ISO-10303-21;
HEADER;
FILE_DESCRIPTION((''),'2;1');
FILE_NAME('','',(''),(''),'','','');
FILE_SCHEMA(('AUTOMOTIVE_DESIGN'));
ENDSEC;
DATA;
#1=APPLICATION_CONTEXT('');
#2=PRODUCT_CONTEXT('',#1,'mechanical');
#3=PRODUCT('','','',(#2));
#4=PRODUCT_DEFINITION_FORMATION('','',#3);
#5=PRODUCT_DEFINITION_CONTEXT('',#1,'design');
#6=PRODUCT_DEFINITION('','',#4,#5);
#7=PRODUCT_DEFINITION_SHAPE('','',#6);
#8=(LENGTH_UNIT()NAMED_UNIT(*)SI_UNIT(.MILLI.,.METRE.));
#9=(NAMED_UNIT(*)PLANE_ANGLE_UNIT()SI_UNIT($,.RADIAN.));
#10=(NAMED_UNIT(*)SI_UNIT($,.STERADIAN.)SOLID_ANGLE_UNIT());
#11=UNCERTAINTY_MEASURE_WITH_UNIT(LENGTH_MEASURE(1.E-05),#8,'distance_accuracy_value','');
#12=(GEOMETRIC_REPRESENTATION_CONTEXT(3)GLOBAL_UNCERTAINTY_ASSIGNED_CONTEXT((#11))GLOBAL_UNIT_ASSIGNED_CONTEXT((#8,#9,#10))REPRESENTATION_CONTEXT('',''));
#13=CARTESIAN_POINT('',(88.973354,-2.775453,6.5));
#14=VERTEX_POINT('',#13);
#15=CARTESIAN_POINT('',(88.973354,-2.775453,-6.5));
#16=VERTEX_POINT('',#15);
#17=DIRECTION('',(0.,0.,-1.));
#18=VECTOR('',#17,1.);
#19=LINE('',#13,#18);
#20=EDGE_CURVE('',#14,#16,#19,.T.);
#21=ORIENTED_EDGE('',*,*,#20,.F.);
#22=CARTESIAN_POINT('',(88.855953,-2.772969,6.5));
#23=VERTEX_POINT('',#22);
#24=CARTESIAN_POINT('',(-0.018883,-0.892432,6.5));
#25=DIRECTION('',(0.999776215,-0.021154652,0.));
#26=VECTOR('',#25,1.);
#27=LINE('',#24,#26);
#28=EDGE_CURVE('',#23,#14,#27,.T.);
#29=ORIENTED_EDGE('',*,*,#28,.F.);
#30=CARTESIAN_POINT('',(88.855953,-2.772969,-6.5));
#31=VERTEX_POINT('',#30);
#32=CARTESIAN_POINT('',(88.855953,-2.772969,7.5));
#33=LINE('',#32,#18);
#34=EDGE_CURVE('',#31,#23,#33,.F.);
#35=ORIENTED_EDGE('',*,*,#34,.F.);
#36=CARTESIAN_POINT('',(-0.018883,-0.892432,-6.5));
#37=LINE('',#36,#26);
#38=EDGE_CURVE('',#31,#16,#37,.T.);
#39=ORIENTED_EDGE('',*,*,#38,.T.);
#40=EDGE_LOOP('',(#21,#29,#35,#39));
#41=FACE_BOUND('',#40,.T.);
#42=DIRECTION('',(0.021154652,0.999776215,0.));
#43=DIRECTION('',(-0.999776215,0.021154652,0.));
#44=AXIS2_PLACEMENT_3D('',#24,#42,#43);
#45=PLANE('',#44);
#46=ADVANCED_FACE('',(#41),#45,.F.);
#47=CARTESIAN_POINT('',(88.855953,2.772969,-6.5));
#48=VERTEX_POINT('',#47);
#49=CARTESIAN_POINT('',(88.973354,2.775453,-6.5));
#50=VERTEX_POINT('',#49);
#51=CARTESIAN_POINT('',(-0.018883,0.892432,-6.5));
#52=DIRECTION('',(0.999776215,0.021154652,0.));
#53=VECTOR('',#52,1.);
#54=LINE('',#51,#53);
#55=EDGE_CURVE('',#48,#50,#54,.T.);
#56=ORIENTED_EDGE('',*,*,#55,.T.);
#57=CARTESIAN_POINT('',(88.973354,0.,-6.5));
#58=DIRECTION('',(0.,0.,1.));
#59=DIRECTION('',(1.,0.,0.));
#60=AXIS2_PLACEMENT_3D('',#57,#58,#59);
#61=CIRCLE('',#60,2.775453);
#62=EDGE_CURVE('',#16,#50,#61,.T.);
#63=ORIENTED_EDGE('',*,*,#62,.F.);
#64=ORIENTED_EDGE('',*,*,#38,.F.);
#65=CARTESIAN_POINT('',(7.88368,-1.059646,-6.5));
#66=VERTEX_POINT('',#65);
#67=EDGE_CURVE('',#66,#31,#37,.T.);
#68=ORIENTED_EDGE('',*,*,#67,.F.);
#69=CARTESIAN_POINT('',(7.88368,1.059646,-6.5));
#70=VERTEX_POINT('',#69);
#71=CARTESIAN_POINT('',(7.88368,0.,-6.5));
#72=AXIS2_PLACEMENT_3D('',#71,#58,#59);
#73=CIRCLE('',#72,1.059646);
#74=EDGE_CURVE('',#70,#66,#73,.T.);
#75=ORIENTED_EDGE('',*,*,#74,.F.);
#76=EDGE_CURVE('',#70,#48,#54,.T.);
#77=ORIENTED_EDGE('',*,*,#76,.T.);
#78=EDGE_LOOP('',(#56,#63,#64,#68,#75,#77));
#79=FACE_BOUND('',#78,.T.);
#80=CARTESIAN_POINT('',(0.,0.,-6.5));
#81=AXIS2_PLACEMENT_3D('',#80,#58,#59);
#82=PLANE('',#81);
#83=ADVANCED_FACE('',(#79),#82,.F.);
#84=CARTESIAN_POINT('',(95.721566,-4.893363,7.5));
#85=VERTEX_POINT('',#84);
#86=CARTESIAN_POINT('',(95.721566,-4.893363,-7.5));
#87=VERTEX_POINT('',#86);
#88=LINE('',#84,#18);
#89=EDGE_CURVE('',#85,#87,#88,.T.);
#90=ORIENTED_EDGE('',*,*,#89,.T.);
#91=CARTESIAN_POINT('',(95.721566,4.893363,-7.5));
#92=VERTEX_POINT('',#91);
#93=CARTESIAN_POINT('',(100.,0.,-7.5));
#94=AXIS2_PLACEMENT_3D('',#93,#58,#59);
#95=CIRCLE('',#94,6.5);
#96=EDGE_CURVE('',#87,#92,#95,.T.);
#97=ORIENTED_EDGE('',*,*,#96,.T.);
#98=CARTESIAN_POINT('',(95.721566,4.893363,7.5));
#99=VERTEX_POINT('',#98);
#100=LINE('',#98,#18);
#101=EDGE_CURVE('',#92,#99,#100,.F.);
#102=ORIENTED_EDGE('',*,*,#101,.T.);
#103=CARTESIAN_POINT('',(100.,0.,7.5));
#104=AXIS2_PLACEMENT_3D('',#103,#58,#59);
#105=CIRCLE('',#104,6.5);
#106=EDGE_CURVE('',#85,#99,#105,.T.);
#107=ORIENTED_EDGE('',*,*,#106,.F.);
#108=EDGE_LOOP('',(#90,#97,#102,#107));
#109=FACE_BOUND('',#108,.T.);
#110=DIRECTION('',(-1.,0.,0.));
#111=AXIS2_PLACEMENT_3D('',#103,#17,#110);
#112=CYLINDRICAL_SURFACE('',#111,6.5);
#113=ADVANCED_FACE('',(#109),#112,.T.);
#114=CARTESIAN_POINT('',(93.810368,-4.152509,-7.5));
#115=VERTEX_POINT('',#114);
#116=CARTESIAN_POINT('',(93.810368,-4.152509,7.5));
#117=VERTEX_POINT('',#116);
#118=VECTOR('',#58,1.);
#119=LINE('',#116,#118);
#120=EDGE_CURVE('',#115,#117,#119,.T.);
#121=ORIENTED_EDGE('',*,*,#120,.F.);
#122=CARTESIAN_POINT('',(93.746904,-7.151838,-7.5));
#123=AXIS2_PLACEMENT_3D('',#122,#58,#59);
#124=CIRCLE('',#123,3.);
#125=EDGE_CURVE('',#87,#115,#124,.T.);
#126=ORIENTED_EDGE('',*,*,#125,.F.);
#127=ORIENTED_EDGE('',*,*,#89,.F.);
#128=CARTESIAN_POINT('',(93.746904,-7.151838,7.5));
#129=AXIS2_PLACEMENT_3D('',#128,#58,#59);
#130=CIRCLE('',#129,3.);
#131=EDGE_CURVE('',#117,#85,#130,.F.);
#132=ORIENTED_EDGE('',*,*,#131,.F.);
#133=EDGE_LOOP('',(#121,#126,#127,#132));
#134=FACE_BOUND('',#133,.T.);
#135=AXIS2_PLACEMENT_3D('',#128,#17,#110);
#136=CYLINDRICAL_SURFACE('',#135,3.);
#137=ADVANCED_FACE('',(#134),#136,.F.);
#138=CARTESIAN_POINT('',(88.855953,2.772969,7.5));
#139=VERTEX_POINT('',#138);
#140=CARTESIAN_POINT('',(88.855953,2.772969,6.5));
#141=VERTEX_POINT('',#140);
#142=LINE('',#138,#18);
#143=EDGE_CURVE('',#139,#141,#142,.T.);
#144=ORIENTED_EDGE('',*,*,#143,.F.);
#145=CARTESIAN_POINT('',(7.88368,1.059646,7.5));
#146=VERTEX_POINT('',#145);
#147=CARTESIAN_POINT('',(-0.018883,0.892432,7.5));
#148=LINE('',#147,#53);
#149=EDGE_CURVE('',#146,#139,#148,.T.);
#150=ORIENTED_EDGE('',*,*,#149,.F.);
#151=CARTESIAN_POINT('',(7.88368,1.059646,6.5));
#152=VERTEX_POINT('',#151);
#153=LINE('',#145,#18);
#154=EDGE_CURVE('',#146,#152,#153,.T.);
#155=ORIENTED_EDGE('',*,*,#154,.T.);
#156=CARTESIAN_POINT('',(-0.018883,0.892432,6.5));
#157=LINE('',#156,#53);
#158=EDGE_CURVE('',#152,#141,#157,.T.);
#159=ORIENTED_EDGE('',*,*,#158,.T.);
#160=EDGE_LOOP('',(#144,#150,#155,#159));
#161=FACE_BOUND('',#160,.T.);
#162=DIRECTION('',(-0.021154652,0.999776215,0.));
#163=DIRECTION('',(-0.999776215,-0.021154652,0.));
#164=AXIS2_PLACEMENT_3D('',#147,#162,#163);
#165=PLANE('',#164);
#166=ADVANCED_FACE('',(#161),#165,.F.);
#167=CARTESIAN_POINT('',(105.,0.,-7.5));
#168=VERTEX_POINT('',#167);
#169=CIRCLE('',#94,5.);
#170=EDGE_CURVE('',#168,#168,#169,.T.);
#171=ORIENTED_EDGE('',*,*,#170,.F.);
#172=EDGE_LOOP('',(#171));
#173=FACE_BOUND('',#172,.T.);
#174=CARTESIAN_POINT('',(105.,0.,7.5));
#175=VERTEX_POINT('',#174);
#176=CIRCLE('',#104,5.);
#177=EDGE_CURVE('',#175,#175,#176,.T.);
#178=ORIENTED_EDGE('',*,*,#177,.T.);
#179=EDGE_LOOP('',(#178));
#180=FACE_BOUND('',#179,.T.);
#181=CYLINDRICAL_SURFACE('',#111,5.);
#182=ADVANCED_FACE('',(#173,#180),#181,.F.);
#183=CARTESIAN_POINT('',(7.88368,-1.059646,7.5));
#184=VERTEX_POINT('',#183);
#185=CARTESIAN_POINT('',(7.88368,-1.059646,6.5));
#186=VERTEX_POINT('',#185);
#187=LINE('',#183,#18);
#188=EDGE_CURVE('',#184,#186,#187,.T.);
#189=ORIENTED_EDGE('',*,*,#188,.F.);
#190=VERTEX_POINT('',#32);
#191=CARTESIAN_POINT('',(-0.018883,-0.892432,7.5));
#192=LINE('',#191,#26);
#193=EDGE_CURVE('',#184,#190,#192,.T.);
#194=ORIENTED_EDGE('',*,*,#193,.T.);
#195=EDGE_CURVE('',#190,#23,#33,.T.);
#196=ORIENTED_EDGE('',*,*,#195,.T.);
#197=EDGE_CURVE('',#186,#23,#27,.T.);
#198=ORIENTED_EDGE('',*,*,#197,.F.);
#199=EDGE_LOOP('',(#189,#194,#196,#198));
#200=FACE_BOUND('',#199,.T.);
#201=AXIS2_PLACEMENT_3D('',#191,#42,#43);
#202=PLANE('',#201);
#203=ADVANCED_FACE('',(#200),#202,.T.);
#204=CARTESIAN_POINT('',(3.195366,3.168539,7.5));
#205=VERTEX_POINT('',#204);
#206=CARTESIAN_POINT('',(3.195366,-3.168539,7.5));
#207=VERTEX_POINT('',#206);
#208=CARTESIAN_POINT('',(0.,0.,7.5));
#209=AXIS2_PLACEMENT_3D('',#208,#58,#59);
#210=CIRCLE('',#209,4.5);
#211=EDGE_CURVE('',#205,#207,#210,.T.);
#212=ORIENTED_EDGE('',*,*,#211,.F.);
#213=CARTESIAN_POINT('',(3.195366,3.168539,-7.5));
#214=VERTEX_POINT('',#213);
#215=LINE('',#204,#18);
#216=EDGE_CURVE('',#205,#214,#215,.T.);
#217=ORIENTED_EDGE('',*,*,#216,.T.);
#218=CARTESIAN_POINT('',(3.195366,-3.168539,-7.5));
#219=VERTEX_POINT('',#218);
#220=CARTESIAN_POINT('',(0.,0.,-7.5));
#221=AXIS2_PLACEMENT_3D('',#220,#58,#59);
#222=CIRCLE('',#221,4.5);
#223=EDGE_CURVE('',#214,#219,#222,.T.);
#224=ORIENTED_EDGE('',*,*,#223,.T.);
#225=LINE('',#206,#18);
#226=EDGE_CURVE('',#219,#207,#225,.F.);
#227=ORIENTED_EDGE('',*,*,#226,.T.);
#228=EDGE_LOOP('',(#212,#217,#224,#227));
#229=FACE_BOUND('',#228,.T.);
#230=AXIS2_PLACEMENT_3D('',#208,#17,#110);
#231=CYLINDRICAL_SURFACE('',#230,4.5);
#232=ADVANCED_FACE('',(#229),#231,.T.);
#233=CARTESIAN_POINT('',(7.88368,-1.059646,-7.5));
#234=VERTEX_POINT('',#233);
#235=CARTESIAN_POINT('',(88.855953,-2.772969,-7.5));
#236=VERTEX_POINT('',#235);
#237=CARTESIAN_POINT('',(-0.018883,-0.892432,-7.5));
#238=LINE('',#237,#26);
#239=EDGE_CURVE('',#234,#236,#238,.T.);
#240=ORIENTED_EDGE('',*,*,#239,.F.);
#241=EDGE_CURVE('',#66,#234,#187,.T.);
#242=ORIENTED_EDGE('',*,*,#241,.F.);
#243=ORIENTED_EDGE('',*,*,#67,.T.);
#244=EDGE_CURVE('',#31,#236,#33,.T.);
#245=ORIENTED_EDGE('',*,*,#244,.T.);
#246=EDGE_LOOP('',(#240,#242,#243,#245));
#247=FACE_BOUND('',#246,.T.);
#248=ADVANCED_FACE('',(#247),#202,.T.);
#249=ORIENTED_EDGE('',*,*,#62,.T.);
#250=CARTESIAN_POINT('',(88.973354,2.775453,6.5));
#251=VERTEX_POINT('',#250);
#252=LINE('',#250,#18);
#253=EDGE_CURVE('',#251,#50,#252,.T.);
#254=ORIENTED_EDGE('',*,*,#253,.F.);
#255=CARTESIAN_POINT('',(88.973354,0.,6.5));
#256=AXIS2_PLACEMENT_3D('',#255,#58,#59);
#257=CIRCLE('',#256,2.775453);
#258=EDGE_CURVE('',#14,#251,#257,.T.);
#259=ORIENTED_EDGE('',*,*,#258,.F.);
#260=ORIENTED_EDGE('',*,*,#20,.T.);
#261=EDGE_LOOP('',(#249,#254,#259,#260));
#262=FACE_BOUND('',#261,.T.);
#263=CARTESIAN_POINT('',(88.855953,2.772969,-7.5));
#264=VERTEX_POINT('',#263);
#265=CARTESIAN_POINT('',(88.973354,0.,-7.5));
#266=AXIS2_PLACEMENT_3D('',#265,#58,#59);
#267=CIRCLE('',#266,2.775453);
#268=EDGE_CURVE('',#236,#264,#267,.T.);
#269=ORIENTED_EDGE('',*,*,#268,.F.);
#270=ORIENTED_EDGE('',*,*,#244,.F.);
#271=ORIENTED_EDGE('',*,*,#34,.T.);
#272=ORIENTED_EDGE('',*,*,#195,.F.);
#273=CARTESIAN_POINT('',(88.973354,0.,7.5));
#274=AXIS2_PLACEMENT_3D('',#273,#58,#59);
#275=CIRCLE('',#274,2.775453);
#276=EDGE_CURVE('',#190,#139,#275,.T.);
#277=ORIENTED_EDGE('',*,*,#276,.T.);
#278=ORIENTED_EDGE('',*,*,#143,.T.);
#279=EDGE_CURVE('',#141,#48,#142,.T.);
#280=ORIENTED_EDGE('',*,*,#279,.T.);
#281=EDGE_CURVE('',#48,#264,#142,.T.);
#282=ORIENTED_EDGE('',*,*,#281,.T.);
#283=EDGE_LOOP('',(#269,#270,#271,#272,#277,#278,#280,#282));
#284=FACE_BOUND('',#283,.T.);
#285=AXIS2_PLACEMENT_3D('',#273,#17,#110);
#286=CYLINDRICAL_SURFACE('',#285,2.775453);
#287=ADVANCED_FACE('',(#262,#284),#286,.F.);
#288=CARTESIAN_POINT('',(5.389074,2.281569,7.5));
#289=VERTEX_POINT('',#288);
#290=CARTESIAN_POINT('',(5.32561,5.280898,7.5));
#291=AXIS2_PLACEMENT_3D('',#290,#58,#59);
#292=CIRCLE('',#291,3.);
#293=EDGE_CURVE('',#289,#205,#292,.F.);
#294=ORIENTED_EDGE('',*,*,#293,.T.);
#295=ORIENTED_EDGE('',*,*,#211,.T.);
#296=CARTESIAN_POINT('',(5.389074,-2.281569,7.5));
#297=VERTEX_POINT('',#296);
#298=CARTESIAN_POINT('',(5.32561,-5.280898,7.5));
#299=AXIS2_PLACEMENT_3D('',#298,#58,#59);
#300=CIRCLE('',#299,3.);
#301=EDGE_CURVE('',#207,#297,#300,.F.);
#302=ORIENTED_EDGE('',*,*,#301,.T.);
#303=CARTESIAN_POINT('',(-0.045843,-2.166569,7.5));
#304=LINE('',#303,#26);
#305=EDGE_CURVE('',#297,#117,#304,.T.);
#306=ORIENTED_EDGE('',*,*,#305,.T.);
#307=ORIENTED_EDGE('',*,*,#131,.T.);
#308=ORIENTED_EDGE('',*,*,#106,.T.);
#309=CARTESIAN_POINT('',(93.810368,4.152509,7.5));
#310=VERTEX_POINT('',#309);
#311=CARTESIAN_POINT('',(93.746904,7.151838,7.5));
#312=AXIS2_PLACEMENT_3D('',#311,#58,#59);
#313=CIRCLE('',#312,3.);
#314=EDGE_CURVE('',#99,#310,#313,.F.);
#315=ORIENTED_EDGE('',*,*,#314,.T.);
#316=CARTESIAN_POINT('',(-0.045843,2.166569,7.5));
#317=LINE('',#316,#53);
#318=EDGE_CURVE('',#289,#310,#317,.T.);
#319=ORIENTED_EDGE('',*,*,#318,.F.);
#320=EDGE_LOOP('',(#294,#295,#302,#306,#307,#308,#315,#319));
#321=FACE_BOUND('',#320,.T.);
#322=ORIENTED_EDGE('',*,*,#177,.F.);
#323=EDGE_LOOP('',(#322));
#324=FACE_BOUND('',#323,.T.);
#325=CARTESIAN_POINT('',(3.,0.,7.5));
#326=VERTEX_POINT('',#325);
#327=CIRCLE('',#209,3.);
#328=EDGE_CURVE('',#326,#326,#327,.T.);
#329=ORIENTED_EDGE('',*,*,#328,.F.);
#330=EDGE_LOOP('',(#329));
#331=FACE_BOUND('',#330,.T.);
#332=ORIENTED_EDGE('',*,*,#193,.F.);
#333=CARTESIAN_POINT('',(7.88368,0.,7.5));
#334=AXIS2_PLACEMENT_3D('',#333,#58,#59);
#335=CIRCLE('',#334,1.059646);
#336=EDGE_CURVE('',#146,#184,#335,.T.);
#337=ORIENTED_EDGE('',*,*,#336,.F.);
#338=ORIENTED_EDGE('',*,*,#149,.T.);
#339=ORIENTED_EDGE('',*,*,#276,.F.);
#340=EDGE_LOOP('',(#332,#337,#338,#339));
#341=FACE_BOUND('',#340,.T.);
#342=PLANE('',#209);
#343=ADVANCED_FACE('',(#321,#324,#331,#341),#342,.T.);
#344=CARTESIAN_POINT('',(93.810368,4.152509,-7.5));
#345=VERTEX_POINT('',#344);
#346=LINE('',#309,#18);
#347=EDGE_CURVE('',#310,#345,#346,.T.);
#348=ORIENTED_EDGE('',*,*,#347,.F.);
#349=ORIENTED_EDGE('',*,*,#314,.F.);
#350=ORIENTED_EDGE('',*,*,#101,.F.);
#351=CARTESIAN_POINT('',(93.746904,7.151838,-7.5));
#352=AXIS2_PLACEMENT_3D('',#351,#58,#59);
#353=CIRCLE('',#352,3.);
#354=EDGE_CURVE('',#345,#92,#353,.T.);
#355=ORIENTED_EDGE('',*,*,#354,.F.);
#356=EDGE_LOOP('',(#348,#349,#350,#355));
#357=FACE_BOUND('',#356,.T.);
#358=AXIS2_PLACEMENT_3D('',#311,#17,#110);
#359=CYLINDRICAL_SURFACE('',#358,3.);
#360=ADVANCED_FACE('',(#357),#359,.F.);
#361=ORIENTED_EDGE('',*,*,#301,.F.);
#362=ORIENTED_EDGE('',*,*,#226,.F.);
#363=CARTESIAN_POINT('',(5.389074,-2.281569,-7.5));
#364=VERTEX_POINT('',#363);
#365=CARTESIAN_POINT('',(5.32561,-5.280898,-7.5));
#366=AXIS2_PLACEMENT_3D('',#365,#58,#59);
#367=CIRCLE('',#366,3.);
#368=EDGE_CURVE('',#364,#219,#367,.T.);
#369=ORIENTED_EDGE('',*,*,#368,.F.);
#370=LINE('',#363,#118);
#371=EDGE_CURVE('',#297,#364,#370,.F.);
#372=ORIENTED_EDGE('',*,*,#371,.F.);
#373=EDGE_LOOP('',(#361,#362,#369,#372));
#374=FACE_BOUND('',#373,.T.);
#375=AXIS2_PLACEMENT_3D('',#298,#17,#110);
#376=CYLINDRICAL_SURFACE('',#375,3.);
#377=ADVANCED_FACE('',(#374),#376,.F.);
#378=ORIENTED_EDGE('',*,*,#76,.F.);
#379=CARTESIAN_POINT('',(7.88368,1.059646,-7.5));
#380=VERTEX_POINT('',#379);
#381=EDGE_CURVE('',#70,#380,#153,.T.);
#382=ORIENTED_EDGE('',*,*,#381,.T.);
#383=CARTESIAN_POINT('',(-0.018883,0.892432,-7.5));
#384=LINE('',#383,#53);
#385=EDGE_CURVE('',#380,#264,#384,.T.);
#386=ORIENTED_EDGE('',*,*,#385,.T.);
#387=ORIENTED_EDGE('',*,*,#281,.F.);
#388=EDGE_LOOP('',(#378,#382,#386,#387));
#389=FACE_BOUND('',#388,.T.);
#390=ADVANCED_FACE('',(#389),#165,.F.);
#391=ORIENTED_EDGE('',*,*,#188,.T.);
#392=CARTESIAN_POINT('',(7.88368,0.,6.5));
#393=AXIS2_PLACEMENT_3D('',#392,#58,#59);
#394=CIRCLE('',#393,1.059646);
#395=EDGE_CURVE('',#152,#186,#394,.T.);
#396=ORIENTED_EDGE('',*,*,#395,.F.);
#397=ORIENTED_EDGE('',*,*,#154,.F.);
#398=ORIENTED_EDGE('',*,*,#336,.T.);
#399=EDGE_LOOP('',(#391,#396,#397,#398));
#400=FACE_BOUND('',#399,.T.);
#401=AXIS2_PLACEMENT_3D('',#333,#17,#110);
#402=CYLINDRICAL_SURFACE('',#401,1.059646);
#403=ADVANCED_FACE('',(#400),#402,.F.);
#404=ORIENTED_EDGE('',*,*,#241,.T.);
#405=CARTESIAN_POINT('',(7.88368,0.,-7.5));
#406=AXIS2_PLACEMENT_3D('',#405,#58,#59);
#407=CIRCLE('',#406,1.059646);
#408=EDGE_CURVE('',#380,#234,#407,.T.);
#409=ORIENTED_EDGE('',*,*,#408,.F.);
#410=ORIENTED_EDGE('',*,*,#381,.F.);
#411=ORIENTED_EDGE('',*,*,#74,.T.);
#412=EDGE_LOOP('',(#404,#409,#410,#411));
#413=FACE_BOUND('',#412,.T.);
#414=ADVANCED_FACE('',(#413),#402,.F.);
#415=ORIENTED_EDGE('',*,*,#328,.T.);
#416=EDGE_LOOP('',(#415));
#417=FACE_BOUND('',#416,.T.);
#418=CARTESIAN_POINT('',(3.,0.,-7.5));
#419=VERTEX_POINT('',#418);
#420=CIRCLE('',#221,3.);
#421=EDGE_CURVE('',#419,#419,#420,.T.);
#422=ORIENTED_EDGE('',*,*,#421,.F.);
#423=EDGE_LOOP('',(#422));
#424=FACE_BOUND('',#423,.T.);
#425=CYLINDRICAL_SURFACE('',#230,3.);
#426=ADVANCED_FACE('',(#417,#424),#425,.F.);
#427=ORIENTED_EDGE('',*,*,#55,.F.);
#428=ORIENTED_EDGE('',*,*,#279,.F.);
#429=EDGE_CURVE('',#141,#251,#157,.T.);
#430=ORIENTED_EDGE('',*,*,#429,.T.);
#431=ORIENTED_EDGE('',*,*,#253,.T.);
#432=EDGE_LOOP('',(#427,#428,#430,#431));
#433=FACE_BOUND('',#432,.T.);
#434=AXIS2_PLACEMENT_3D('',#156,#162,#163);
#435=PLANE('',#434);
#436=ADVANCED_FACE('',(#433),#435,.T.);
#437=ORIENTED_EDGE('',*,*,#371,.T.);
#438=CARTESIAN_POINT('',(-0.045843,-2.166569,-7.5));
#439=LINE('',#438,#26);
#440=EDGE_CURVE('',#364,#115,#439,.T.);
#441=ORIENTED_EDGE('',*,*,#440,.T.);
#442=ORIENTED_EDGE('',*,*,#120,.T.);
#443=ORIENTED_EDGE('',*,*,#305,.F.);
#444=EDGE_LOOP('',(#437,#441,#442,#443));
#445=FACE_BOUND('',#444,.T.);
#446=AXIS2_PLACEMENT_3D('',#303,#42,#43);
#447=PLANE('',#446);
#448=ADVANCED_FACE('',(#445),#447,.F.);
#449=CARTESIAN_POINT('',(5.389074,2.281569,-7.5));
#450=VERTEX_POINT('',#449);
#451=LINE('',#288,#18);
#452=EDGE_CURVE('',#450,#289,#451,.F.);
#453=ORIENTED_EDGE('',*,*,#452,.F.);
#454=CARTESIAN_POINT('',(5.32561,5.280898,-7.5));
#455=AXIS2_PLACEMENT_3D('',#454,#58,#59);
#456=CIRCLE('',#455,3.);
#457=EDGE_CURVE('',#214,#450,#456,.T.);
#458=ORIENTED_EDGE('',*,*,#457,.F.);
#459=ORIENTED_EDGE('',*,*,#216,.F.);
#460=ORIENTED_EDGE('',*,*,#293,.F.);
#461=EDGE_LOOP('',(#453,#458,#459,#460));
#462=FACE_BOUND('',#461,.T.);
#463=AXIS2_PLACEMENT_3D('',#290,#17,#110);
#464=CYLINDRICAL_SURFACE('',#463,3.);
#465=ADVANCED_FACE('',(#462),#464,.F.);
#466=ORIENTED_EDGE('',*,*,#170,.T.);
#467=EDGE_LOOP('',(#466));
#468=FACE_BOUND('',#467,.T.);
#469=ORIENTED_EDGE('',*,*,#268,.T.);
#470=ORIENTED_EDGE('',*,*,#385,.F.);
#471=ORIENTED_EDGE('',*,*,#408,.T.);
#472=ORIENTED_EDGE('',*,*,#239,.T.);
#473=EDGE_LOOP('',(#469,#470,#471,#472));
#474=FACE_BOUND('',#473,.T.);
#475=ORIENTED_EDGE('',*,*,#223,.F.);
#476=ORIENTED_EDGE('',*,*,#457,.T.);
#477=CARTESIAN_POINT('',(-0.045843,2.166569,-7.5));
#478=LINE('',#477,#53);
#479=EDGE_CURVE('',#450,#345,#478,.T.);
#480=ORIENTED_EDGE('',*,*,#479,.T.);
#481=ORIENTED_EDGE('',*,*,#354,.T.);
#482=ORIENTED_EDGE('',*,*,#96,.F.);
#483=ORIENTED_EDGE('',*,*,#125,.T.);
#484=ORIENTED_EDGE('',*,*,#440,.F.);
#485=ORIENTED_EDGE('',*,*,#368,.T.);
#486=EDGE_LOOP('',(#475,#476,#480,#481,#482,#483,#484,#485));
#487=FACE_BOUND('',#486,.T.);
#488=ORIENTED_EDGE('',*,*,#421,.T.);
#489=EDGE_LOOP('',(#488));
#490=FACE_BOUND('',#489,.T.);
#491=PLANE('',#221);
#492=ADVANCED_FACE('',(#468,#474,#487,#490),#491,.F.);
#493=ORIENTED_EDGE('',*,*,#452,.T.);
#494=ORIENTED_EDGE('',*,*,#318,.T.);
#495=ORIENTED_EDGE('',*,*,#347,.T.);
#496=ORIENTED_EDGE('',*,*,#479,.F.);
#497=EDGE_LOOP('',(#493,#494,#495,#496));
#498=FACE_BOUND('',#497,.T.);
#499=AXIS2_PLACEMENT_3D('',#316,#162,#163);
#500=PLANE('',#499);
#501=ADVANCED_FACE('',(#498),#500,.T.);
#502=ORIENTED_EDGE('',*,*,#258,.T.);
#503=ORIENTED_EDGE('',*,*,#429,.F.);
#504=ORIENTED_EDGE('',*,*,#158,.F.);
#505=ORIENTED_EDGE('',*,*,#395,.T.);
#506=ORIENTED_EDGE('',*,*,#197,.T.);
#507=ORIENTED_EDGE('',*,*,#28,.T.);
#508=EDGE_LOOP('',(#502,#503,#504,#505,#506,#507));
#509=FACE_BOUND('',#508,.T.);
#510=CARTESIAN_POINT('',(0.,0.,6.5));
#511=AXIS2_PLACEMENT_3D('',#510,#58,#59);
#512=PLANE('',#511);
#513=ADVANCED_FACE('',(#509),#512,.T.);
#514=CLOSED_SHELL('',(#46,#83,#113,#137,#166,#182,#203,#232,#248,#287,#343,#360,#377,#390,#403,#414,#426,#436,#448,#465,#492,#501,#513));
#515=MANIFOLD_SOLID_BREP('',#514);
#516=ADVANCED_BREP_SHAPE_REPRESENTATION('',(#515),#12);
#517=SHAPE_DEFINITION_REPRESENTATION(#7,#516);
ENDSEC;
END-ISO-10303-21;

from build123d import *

# Parameters (mm, degrees)
SKETCH1_R           = 5
SKETCH1_R_2         = 3
BOSS_EXTRUDE2_DEPTH = 7.5
BOSS_EXTRUDE3_DEPTH = 6.5
FILLET1_R           = 3


with BuildPart() as part:
    # Sketch1 → Boss-Extrude2 (new, symmetric)
    with BuildSketch(Plane.XY):
        with BuildLine():
            Line((95.02071112, 4.178119463), (3.897114317, 2.25))
            ThreePointArc((3.897114317, 2.25), (-4.5, 0), (3.897114317, -2.25))
            Line((3.897114317, -2.25), (95.02071112, -4.178119463))
            ThreePointArc((95.02071112, -4.178119463), (106.5, 0), (95.02071112, 4.178119463))
        make_face()
        with BuildLine():
            ThreePointArc((7.883680433, -1.059645666), (6.824034767, 0), (7.883680433, 1.059645666))
            Line((7.883680433, 1.059645666), (88.855952705, 2.772969323))
            ThreePointArc((88.855952705, 2.772969323), (91.748807392, 0), (88.855952705, -2.772969323))
            Line((88.855952705, -2.772969323), (7.883680433, -1.059645666))
        make_face(mode=Mode.SUBTRACT)
        with Locations((100, 0)):
            Circle(SKETCH1_R, mode=Mode.SUBTRACT)
        Circle(SKETCH1_R_2, mode=Mode.SUBTRACT)
    extrude(amount=BOSS_EXTRUDE2_DEPTH, both=True)

    # Sketch1<7> → Boss-Extrude3 (add, symmetric)
    with BuildSketch(Plane.XY):
        with BuildLine():
            Line((88.855952705, 2.772969323), (7.883680433, 1.059645666))
            ThreePointArc((7.883680433, 1.059645666), (6.824034767, 0), (7.883680433, -1.059645666))
            Line((7.883680433, -1.059645666), (88.855952705, -2.772969323))
            Line((88.855952705, -2.772969323), (88.973353931, -2.775453461))
            ThreePointArc((88.973353931, -2.775453461), (91.748807392, 0), (88.973353931, 2.775453461))
            Line((88.973353931, 2.775453461), (88.855952705, 2.772969323))
        make_face()
    extrude(amount=BOSS_EXTRUDE3_DEPTH, both=True)

    # Fillet1
    fillet1_edges = [part.edges().sort_by_distance(p)[0] for p in [
        (95.02071112, -4.178119463, 0),
        (3.897114317, -2.25, 0),
        (3.897114317, 2.25, 0),
        (95.02071112, 4.178119463, 0),
    ]]
    fillet(fillet1_edges, radius=FILLET1_R)


solid = part.part
